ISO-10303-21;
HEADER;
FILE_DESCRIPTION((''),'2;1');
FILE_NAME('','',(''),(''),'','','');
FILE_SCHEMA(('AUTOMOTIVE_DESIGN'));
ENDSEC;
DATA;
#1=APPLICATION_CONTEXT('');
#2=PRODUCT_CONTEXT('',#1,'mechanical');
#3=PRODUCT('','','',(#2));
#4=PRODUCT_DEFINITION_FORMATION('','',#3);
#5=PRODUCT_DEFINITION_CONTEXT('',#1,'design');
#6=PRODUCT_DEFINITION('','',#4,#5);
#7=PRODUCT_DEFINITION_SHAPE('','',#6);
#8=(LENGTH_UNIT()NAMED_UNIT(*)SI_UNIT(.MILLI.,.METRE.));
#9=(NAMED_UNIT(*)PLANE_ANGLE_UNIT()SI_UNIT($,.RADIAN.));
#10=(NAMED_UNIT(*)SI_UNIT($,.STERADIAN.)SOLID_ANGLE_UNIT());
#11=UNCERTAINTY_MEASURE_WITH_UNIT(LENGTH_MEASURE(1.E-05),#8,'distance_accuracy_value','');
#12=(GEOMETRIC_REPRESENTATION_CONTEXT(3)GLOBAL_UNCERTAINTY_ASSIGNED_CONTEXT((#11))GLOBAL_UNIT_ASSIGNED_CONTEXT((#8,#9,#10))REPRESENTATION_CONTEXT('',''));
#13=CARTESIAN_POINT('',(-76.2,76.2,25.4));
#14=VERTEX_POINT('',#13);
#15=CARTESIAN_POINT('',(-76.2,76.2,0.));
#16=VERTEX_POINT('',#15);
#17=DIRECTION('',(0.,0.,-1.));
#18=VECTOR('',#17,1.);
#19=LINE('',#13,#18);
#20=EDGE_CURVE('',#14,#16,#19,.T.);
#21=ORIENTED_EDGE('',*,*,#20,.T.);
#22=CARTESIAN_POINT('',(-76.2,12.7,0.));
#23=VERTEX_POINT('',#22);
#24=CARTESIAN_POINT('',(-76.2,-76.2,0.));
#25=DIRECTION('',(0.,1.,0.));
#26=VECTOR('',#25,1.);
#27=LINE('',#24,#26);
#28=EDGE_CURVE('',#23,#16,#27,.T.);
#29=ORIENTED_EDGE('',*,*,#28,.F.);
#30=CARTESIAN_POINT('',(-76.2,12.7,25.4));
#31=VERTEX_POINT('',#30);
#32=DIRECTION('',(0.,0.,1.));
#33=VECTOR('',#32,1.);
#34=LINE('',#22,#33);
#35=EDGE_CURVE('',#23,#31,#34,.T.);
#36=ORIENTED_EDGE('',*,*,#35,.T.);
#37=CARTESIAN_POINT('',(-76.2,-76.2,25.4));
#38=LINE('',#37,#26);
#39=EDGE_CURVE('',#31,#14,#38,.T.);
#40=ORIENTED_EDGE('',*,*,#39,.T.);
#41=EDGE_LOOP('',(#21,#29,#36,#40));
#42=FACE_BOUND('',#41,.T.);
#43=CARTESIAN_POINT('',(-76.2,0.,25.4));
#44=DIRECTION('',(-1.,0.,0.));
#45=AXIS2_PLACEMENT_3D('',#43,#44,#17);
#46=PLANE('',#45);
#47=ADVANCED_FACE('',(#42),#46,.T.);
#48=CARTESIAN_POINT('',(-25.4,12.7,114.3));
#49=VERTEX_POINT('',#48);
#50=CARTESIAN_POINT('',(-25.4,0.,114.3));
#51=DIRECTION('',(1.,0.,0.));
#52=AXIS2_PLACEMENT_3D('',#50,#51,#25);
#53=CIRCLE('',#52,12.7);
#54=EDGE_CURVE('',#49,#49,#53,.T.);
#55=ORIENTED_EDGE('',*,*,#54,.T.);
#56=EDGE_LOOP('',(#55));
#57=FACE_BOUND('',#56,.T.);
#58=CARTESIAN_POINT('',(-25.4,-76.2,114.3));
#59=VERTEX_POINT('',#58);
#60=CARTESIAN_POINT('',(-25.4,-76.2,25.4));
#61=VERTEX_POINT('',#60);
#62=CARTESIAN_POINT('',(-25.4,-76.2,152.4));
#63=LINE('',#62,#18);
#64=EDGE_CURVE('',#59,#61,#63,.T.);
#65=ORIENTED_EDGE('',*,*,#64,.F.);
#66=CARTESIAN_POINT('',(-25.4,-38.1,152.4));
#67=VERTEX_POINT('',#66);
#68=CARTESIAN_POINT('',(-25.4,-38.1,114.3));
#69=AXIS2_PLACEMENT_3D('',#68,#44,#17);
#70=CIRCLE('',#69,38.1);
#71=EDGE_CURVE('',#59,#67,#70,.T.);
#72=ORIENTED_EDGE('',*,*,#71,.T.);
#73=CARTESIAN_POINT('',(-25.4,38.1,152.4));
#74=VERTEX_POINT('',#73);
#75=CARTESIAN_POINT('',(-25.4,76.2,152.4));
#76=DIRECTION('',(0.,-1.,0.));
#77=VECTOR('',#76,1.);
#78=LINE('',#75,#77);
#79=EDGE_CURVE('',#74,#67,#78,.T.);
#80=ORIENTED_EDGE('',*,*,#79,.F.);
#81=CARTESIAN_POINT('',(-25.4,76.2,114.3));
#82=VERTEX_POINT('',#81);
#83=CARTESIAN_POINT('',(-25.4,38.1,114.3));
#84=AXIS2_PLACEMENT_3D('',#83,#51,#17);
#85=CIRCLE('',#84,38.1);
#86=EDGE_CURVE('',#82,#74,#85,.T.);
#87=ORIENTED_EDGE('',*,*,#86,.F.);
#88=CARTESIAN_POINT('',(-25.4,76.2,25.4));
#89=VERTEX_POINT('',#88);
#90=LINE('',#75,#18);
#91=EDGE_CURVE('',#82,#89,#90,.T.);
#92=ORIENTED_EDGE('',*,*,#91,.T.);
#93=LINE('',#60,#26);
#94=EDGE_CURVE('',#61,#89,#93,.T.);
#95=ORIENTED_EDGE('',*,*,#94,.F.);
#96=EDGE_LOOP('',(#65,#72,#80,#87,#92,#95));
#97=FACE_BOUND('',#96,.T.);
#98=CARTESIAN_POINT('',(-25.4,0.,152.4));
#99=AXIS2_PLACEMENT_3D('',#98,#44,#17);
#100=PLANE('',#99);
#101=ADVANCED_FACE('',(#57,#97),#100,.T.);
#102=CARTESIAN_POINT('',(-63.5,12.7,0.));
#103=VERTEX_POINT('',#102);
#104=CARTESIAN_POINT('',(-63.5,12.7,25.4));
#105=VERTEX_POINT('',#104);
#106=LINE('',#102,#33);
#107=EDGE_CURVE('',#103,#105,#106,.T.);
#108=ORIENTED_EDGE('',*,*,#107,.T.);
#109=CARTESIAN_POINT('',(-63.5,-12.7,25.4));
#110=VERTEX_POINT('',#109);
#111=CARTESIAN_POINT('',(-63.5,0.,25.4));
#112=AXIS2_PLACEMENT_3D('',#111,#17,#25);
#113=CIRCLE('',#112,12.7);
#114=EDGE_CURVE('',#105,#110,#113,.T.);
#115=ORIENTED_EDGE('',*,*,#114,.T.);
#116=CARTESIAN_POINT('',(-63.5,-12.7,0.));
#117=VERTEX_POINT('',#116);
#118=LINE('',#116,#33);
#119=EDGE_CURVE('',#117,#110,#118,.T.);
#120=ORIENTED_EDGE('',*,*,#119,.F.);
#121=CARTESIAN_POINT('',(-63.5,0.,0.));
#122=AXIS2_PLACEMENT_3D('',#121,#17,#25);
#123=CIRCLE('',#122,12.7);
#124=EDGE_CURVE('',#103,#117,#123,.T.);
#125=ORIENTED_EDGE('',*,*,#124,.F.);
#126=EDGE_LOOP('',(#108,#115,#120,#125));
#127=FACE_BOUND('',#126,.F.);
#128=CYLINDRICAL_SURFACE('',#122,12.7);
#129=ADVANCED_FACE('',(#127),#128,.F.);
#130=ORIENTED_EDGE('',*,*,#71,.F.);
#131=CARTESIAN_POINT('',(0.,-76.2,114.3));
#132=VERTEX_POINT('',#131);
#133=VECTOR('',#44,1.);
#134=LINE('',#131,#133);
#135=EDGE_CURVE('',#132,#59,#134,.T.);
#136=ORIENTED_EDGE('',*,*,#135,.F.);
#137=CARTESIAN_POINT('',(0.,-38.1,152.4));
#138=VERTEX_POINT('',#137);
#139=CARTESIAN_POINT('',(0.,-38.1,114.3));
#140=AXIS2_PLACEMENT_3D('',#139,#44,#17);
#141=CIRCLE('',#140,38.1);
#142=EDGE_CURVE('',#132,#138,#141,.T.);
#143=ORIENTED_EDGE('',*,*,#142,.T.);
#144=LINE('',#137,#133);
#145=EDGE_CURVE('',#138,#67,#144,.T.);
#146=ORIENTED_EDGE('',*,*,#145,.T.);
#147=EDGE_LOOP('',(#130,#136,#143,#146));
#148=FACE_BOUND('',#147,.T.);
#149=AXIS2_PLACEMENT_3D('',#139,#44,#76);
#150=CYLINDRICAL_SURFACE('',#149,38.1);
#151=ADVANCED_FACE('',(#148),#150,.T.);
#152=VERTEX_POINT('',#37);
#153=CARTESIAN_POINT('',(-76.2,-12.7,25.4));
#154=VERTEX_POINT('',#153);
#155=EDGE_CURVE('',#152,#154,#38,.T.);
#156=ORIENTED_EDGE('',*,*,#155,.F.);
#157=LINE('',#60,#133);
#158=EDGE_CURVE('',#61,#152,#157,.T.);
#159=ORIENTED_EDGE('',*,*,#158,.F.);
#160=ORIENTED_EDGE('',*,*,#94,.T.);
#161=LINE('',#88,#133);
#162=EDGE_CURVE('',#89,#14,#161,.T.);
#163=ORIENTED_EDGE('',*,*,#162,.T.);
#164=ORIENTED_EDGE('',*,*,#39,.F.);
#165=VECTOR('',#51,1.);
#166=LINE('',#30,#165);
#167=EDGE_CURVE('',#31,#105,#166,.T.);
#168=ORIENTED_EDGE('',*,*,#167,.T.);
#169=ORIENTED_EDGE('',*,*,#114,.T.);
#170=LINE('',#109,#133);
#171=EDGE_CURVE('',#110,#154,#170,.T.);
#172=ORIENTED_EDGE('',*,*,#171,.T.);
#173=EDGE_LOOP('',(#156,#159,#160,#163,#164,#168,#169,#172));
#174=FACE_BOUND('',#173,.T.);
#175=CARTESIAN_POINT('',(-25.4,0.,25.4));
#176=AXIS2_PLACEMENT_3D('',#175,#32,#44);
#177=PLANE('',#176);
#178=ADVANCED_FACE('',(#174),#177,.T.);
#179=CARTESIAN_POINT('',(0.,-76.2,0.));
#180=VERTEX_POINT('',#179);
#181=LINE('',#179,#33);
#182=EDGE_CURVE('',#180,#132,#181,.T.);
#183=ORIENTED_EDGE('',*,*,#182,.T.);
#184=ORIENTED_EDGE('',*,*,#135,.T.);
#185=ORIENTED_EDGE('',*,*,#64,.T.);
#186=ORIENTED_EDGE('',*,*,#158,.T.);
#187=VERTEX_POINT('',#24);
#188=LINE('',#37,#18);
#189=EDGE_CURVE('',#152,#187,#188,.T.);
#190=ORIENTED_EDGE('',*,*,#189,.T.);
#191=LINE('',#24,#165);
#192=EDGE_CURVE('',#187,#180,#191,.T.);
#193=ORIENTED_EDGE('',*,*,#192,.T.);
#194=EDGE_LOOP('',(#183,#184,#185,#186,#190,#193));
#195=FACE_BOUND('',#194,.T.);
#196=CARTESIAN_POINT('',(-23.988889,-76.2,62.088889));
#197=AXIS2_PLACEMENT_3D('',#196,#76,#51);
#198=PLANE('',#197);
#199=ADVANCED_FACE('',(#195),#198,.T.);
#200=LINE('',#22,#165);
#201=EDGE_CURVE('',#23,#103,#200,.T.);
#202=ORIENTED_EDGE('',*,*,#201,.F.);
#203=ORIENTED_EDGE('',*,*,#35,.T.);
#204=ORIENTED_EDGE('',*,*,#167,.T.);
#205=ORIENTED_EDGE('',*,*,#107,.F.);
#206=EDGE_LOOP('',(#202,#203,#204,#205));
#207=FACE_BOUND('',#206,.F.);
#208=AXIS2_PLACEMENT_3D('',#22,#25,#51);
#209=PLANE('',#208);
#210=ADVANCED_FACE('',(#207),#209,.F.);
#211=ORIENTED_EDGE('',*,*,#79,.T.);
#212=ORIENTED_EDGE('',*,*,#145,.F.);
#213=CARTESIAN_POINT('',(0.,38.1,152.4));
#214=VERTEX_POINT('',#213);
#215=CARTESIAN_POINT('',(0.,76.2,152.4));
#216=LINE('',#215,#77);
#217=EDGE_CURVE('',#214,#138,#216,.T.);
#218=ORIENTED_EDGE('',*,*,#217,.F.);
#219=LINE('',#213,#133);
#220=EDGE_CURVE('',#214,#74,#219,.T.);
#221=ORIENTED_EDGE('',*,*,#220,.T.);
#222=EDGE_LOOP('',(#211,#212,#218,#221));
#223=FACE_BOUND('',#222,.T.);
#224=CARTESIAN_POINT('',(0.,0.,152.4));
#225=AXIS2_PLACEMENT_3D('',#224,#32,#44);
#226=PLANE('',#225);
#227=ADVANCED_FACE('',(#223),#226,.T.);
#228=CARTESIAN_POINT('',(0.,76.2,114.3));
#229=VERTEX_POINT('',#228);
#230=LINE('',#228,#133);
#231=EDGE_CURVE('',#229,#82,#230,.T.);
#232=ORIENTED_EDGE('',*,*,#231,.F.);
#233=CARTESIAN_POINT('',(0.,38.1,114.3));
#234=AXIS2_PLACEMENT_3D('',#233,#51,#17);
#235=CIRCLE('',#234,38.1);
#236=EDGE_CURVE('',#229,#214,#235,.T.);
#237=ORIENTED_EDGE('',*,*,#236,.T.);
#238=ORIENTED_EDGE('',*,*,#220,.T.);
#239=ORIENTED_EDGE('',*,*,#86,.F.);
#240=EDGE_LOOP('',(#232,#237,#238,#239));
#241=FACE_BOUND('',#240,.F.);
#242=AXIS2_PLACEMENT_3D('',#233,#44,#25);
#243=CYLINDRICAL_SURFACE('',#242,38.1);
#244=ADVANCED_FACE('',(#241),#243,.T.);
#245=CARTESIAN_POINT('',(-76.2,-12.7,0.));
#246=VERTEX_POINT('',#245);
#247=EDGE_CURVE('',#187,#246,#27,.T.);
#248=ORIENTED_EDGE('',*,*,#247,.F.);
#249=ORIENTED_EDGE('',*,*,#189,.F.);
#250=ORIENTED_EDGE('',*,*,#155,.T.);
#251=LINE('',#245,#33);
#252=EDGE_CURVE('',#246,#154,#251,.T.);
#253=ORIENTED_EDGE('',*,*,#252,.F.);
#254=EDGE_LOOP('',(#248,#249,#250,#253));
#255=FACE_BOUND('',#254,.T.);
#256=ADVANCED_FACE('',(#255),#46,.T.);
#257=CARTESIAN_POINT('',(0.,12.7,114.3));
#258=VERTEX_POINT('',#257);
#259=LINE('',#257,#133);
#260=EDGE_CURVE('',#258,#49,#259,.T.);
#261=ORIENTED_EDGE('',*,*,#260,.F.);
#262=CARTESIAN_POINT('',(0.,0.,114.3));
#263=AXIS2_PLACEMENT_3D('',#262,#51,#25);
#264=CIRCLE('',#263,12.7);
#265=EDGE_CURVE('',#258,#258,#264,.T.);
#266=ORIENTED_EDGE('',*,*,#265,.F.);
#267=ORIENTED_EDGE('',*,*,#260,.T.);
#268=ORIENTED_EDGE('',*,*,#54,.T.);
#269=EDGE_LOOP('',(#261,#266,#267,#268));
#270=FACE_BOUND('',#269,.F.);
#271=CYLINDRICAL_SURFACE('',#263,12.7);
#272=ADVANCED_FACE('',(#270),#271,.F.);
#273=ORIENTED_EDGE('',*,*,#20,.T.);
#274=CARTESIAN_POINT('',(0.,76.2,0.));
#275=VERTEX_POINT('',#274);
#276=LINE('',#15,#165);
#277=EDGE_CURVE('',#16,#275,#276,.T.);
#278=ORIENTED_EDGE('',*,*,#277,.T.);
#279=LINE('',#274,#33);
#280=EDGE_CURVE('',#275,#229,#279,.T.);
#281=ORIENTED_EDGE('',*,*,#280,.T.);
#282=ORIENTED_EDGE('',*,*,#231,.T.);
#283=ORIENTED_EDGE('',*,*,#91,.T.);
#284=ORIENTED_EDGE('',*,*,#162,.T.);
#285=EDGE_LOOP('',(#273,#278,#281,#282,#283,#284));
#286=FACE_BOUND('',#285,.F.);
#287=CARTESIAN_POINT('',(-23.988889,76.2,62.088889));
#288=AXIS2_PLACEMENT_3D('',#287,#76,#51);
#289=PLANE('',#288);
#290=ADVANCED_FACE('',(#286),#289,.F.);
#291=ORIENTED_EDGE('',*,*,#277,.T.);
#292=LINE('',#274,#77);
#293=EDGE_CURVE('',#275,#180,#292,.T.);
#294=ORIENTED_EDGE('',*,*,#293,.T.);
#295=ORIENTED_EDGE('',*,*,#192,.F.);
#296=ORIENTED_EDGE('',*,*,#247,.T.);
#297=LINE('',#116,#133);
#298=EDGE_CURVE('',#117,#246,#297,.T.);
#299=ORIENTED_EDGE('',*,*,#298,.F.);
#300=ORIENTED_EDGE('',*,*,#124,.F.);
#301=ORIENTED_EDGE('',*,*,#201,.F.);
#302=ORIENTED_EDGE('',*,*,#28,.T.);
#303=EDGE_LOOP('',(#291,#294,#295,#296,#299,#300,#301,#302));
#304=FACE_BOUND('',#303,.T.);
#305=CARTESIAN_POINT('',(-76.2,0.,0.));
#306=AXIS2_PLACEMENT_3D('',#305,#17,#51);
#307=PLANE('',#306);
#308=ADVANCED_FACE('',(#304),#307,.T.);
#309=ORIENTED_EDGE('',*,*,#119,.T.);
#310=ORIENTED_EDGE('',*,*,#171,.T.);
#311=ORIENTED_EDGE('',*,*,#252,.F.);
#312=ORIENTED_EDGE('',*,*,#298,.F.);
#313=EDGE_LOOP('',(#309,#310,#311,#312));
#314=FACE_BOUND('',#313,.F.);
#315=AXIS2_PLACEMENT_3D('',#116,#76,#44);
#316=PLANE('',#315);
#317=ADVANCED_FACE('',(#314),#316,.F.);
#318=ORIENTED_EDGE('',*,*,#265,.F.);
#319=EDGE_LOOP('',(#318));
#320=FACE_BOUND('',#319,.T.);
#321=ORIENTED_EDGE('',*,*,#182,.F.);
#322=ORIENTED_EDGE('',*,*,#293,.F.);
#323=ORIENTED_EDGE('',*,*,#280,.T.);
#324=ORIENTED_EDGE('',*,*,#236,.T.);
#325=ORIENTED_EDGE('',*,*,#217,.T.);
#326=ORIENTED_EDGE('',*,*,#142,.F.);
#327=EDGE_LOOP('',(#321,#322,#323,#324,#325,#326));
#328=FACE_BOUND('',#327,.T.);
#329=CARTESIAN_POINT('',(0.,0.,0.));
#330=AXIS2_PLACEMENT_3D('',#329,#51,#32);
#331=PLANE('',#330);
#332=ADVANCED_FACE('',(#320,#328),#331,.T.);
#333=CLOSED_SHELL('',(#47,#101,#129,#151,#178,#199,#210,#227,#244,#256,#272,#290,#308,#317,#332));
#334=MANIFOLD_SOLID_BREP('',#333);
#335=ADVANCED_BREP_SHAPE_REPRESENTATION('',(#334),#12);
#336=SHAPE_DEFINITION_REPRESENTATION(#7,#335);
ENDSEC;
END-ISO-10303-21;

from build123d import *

# Parameters (mm, degrees)
F1_DEPTH = 76.2
F2_R     = 12.7
F3_DEPTH = 25.4
F5_DEPTH = 25.4
F6_R     = 38.1


with BuildPart() as f1:
    # F0 (on Front) → F1 (new body, symmetric)
    with BuildSketch(Plane.XZ):
        Polygon((-76.2, 0), (0, 0), (0, 152.4), (-25.4, 152.4), (-25.4, 25.4), (-76.2, 25.4), align=None)
    extrude(amount=F1_DEPTH, both=True)

    # F2 (on face) → F3 (cut)
    with BuildSketch(Plane.YZ):
        with Locations((0, 114.3)):
            Circle(F2_R)
    extrude(amount=-F3_DEPTH, mode=Mode.SUBTRACT)

    # F4 (on face) → F5 (cut)
    with BuildSketch(Plane(origin=(0, 0, 0), x_dir=(1, 0, 0), z_dir=(0, 0, -1))):
        with BuildLine():
            Line((-76.2, 12.7), (-76.2, 0))
            Line((-76.2, 0), (-76.2, -12.7))
            Line((-76.2, -12.7), (-63.5, -12.7))
            ThreePointArc((-63.5, -12.7), (-50.8, 0), (-63.5, 12.7))
            Line((-63.5, 12.7), (-76.2, 12.7))
        make_face()
    extrude(amount=-F5_DEPTH, mode=Mode.SUBTRACT)

    # F6
    f6_edges = [f1.edges().sort_by_distance(p)[0] for p in [
        (-12.7, 76.2, 152.4),
        (-12.7, -76.2, 152.4),
    ]]
    fillet(f6_edges, radius=F6_R)


solid = f1.part
